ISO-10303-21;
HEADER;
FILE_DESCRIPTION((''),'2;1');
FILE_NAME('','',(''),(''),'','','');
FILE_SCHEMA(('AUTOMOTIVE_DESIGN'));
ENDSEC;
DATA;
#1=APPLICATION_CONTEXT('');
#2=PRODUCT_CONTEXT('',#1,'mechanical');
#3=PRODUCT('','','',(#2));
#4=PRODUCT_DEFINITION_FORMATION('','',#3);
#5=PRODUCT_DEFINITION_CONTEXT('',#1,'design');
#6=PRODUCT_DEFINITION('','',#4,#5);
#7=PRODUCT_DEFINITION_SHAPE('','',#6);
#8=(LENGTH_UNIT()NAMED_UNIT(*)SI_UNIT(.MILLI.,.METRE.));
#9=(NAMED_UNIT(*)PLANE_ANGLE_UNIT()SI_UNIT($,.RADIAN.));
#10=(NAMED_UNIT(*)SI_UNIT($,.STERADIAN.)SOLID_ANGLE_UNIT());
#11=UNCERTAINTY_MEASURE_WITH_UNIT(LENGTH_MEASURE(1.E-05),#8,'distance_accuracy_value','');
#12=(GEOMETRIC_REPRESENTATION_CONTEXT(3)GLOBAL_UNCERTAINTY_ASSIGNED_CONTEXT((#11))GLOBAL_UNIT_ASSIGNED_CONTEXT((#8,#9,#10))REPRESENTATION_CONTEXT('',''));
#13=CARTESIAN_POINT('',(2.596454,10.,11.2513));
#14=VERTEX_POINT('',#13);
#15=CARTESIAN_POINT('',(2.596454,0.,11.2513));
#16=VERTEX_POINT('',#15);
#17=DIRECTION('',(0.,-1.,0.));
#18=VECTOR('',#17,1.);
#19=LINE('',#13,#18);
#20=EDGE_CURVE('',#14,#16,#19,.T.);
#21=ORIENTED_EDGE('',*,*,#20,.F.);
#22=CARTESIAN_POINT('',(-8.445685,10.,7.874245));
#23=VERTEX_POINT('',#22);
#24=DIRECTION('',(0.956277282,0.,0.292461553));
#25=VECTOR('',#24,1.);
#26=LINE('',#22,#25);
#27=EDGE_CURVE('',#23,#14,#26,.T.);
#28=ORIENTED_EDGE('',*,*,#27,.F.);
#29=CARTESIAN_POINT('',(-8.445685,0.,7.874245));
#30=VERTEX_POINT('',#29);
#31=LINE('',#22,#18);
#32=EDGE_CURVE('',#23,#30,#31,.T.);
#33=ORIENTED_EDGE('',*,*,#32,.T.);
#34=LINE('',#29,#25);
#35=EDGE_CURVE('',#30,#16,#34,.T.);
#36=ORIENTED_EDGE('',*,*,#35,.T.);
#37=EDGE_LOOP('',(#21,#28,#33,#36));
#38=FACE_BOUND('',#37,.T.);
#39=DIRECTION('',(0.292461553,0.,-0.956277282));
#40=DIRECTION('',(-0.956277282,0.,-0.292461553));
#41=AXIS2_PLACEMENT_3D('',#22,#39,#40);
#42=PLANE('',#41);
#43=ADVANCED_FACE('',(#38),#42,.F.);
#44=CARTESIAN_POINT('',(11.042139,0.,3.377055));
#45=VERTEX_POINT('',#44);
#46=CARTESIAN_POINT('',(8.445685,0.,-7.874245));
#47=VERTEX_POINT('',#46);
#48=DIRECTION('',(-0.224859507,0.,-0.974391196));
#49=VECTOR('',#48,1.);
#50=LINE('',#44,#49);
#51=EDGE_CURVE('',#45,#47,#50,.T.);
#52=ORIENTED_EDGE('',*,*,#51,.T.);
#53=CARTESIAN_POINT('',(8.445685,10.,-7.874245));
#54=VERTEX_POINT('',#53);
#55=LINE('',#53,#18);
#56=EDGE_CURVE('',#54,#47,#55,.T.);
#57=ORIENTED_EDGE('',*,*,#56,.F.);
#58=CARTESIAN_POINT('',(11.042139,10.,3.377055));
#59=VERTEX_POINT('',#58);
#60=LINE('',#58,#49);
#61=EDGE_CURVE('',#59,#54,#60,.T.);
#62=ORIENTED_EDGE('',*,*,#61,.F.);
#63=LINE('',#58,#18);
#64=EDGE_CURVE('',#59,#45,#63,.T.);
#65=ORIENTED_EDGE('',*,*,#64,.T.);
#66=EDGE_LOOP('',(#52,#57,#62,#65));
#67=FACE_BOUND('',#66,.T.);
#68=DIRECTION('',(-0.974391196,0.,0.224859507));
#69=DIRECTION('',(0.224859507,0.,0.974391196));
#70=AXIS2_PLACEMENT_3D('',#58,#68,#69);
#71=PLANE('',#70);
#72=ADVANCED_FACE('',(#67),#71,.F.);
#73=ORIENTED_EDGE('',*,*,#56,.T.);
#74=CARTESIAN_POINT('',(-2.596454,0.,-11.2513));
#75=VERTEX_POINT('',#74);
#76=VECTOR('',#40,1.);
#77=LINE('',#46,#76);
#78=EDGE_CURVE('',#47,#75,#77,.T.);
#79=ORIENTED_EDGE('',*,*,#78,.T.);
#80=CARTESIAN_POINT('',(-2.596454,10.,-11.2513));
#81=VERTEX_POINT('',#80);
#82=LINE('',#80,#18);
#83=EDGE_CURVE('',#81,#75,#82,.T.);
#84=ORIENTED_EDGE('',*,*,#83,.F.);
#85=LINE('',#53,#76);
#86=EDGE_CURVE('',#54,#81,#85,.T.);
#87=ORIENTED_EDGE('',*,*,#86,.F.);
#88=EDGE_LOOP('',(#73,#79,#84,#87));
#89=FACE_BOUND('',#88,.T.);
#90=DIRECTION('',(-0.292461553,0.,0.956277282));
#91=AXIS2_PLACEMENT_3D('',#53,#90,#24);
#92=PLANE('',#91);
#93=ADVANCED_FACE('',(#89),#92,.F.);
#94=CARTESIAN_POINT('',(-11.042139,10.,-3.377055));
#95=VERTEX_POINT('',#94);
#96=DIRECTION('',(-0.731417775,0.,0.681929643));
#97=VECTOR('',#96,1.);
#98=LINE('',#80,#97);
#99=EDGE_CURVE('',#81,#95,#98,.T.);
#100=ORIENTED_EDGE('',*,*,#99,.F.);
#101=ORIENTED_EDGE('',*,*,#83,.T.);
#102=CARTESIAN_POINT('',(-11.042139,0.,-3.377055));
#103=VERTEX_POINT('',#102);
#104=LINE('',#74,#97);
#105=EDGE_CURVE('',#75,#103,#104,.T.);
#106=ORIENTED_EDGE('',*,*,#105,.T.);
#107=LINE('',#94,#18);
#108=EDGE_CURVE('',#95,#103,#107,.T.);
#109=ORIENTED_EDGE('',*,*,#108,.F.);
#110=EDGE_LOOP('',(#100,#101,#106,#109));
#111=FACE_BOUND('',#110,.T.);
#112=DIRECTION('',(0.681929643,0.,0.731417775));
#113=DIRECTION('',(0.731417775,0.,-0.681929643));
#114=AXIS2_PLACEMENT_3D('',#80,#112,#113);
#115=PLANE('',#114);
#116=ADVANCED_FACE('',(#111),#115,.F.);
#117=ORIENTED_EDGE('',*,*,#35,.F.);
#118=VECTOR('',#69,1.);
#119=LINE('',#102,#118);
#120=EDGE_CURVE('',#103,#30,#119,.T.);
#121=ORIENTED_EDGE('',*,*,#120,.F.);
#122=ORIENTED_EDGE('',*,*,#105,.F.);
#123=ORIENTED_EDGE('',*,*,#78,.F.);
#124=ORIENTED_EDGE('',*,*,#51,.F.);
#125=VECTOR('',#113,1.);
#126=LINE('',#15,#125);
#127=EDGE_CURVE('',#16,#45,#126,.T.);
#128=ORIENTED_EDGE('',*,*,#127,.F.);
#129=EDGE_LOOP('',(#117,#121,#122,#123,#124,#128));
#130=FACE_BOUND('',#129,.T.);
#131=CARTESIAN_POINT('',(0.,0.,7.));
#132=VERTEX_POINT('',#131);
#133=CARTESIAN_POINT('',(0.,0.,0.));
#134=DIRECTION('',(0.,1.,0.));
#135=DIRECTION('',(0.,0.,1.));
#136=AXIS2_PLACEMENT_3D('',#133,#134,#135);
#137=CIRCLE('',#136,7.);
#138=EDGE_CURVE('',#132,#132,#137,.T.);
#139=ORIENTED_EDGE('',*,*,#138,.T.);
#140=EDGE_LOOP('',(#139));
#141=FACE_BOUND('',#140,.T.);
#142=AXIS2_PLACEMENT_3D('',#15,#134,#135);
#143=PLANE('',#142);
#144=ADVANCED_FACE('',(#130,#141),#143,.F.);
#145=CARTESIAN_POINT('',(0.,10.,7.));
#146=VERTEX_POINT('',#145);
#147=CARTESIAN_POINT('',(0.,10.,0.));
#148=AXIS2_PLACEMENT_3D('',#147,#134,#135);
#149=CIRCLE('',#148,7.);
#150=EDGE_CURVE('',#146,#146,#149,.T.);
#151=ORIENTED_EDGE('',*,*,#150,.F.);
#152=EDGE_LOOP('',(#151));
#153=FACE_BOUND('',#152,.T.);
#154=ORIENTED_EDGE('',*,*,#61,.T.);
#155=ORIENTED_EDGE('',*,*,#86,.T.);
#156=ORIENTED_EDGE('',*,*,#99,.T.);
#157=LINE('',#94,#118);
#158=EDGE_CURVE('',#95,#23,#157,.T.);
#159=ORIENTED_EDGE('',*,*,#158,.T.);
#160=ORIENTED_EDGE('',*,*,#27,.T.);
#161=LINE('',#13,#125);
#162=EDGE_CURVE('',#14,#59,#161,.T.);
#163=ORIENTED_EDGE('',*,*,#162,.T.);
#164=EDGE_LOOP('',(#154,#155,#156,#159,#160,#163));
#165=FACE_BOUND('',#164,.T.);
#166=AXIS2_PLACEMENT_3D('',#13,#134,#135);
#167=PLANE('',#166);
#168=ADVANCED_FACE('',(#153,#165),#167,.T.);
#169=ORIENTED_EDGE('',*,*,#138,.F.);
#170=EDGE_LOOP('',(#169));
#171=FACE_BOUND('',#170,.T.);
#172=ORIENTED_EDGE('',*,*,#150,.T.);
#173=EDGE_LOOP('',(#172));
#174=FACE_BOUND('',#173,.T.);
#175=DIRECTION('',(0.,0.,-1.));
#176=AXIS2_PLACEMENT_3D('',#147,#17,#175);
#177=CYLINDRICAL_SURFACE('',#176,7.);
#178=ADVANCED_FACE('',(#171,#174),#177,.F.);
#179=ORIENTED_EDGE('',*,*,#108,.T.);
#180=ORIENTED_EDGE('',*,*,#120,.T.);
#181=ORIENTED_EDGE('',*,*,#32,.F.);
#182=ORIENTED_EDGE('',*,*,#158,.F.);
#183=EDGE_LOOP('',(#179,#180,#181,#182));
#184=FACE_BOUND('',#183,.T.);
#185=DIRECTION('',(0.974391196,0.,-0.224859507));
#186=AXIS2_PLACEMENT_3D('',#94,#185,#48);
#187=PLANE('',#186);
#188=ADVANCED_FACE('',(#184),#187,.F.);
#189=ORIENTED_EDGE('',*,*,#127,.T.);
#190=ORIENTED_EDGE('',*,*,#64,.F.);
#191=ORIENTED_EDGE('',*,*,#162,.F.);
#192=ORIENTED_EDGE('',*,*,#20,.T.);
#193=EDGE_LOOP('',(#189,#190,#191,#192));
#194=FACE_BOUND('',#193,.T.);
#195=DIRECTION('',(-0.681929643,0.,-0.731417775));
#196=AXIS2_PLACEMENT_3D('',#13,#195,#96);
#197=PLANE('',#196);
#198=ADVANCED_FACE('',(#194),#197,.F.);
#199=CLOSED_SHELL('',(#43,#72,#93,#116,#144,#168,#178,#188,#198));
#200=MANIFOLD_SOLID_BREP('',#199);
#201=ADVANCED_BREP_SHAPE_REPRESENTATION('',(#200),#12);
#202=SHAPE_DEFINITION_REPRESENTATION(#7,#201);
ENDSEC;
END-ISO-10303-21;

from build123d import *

# Parameters (mm, degrees)
SKETCH_1_R      = 7
EXTRUDE_1_DEPTH = 10


with BuildPart() as part:
    # Эскиз1 → Вытянуть1 (new body)
    with BuildSketch(Plane(origin=(0, 0, 0), x_dir=(1, 0, 0), z_dir=(0, 1, 0))):
        Polygon((2.596453934, -11.251300383), (11.042138924, -3.377055124), (8.44568499, 7.874245258), (-2.596453934, 11.251300383), (-11.042138924, 3.377055124), (-8.44568499, -7.874245258), align=None)
        with Locations(Location((0, 0, 0), (0, 0, 270))):
            Circle(SKETCH_1_R, mode=Mode.SUBTRACT)
    extrude(amount=EXTRUDE_1_DEPTH)


solid = part.part
